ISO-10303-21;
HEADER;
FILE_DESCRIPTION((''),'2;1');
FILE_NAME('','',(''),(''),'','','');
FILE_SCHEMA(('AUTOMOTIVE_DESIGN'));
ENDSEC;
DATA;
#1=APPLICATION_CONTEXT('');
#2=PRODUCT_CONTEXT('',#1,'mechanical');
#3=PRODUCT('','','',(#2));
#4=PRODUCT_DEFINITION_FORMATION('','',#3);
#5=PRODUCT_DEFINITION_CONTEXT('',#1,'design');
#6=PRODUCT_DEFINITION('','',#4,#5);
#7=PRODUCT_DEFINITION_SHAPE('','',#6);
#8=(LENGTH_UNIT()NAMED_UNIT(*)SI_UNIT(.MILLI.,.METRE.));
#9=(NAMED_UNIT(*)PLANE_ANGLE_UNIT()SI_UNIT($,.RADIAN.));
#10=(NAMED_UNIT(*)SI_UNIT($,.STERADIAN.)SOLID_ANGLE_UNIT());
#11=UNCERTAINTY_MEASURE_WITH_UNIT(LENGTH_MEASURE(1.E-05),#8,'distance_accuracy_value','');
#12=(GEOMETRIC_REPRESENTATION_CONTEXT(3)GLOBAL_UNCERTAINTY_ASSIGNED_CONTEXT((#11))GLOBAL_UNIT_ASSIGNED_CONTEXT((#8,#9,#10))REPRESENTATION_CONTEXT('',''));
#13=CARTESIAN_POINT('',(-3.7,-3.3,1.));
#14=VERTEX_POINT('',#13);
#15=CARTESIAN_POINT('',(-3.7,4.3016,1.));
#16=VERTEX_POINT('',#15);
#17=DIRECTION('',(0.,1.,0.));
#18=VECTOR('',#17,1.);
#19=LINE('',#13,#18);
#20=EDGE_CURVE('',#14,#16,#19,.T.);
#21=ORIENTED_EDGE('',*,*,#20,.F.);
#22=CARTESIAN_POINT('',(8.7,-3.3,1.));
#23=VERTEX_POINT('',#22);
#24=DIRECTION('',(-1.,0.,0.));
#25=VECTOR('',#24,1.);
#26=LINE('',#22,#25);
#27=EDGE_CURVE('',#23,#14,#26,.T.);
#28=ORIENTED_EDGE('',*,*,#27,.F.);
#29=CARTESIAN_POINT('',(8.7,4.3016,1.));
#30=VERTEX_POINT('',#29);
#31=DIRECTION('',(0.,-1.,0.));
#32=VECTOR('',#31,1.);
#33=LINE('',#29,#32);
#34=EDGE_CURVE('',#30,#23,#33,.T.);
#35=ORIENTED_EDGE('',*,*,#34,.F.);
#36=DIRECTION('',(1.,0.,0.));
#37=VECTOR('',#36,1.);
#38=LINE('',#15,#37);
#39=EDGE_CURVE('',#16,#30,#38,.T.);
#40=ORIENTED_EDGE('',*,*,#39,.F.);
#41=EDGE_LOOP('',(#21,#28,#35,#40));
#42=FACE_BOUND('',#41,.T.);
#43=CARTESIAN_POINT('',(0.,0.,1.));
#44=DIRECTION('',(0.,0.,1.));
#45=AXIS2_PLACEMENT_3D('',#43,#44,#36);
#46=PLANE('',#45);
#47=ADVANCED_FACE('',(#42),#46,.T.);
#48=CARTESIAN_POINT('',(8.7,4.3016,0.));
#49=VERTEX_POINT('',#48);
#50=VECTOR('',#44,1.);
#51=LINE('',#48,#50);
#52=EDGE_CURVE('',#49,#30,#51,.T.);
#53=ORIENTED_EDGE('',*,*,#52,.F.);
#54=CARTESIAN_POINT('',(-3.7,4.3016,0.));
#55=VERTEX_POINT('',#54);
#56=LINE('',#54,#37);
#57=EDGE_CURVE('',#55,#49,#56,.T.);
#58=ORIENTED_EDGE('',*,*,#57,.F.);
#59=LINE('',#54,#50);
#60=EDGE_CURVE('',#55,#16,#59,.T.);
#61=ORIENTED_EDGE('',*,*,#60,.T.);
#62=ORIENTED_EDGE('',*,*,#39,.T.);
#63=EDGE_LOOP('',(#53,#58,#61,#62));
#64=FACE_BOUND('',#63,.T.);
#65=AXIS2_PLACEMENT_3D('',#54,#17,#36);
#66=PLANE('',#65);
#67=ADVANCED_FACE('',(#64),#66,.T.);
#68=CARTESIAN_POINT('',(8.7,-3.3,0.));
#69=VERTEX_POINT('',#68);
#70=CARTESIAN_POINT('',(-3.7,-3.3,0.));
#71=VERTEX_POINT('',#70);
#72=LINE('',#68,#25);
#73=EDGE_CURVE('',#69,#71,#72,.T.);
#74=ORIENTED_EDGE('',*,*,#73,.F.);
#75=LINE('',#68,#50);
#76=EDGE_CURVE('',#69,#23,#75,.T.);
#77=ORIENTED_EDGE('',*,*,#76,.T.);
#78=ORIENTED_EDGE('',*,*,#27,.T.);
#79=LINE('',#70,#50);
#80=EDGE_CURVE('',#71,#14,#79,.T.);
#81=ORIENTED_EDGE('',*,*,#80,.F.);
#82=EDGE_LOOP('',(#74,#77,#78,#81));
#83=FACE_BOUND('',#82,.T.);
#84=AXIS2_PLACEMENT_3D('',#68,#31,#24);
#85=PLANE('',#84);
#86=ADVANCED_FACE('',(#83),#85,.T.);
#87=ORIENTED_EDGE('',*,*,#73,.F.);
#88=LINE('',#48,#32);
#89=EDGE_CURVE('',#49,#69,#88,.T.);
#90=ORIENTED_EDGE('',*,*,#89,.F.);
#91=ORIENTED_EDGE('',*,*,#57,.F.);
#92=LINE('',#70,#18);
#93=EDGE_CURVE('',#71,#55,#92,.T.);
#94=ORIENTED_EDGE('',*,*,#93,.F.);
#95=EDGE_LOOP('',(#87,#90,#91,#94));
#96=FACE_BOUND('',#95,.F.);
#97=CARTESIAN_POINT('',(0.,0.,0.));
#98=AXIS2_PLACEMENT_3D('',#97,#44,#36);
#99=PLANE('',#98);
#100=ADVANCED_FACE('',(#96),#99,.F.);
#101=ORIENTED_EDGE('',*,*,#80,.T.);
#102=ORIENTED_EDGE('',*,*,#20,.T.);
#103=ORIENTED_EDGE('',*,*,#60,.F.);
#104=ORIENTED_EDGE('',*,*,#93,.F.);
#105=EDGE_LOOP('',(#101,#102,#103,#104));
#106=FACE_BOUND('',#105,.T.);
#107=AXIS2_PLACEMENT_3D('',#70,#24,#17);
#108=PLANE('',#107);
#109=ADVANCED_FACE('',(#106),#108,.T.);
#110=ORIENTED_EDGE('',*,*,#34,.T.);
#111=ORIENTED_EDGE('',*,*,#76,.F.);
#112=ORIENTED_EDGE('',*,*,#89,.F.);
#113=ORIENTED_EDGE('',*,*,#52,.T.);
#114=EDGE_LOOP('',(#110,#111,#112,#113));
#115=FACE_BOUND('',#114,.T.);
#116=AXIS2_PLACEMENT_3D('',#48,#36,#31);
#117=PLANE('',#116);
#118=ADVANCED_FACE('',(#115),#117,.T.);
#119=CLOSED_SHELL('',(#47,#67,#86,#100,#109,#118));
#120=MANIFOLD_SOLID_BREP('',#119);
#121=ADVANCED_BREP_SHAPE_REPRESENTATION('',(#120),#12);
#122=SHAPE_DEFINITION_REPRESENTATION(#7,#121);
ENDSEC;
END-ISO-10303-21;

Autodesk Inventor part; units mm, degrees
ref_plane "YZ Plane" through (0, 0, 0) normal (1, 0, 0) x (0, 1, 0)
ref_plane "XZ Plane" through (0, 0, 0) normal (0, 1, 0) x (-1, 0, 0)
ref_plane "XY Plane" through (0, 0, 0) normal (0, 0, 1) x (1, 0, 0)
sketch "SCREWTERMINAL-5MM-2, 4_38" plane through (0, 0, 0) normal (0, 0, 1) x (1, 0, 0)
  line L0 (-3.7, 4.3016) -> (8.7, 4.3016)
  line L1 (8.7, 4.3016) -> (8.7, -3.3)
  line L2 (8.7, -3.3) -> (-3.7, -3.3)
  line L3 (-3.7, -3.3) -> (-3.7, 4.3016)
extrude "Extrusion1" add sketch "SCREWTERMINAL-5MM-2, 4_38" along normal blind 1
properties part number "4"
